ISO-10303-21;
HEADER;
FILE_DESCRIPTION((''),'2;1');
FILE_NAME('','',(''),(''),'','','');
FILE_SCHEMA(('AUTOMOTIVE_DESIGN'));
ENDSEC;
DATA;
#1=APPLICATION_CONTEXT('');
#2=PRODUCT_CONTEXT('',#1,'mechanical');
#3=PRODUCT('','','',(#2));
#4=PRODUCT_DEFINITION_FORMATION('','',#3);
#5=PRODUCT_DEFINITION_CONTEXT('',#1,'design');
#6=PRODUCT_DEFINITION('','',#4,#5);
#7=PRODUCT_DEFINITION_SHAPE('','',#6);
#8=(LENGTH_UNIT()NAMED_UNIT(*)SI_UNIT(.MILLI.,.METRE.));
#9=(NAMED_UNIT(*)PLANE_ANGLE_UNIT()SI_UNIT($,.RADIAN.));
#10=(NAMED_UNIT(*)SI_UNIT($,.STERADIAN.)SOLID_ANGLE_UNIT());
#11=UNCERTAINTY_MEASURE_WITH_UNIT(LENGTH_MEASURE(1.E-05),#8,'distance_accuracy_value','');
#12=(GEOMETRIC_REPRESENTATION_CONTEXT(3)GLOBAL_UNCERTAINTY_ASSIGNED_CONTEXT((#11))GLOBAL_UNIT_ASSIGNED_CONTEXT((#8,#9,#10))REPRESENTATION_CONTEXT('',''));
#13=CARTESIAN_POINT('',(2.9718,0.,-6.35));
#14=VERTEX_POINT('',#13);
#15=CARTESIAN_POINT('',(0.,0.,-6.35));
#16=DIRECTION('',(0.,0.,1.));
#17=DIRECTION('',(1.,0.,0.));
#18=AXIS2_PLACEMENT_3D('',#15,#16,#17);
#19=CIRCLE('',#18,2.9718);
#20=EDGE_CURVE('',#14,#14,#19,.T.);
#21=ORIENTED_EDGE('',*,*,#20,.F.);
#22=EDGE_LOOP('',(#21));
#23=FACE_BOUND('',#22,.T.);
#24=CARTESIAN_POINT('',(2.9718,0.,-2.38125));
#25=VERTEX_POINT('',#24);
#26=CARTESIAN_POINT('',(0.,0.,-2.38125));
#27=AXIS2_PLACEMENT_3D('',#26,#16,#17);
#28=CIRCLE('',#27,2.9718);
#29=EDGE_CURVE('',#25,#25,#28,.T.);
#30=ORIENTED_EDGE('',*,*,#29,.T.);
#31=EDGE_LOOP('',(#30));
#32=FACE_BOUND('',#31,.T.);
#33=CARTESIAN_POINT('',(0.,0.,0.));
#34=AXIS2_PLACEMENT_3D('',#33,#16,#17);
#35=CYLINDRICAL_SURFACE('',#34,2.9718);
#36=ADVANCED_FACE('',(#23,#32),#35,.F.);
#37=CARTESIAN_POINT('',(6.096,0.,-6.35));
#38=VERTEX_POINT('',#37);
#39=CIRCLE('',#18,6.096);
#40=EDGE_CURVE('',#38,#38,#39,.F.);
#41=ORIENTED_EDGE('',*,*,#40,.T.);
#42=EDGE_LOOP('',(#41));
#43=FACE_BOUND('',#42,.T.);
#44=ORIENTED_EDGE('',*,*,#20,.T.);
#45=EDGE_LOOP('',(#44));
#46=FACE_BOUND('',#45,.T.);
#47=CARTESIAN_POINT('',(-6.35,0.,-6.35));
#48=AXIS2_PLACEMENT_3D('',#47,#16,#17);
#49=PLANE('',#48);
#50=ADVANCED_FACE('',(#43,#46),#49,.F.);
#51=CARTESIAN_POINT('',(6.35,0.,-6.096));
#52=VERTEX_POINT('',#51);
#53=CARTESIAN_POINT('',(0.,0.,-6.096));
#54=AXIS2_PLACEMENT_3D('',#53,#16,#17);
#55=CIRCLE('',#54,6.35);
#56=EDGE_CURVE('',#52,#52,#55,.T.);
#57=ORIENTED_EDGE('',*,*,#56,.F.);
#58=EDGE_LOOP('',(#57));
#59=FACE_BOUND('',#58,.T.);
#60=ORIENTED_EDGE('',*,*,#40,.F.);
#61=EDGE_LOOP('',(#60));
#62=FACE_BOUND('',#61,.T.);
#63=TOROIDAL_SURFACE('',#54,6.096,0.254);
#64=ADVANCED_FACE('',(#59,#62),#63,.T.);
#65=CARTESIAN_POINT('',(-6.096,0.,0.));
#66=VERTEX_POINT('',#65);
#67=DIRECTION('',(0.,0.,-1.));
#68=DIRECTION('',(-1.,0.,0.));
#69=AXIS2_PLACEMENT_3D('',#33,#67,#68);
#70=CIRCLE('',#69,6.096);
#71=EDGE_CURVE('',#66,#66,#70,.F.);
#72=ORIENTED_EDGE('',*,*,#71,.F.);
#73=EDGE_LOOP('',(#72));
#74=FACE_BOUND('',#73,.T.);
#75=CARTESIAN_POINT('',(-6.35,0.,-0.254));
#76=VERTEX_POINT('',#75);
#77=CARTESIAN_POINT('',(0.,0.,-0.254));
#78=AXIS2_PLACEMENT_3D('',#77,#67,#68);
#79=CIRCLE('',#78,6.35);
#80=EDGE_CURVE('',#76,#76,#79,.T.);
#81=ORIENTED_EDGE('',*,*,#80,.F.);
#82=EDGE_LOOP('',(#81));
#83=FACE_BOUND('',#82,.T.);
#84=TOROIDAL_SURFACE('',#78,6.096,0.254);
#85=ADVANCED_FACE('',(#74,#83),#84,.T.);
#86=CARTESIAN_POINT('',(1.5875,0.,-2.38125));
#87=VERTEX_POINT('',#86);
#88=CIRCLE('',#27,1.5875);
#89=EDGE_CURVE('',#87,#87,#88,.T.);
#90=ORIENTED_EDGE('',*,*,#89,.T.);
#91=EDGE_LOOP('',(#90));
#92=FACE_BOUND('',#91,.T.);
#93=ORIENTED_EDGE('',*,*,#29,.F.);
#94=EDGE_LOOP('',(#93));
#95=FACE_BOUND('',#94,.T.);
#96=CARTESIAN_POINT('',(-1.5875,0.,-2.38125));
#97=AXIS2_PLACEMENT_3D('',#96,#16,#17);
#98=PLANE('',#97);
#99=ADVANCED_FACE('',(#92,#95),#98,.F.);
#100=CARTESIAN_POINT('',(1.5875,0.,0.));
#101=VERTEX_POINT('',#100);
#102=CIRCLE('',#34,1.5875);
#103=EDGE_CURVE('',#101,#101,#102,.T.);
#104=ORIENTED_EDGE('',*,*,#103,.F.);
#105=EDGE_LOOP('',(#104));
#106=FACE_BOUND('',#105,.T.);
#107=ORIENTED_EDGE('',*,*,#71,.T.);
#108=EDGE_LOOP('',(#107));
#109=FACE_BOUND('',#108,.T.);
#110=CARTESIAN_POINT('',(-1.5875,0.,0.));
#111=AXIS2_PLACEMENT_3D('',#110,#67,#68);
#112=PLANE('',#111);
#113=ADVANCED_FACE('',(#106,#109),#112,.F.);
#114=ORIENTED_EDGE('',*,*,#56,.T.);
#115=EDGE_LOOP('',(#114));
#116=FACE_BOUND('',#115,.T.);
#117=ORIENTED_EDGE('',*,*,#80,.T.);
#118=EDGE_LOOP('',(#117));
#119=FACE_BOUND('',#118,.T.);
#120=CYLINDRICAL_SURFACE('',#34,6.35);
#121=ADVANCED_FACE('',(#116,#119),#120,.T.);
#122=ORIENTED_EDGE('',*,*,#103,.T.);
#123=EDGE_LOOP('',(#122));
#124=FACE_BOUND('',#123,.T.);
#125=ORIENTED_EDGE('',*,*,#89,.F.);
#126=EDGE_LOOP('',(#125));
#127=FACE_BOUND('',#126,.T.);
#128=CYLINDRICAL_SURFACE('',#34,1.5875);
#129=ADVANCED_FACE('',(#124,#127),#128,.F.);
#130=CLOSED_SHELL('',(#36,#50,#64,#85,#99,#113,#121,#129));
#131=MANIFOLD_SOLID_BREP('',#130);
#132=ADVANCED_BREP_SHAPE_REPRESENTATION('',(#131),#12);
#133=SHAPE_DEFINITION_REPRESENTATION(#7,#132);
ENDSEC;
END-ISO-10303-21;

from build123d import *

# Parameters (mm, degrees)
FILLET1_R = 0.254


with BuildPart() as part:
    # Sketch1 → Revolve1 (revolve)
    with BuildSketch(Plane(origin=(0, 0, 0), x_dir=(1, 0, 0), z_dir=(0, 1, 0))):
        Polygon((-1.5875, 0), (-6.35, 0), (-6.35, 6.35), (-2.9718, 6.35), (-2.9718, 2.38125), (-1.5875, 2.38125), align=None)
    revolve(axis=Axis((0, 0, 0), (0, 0, -1)))

    # Fillet1
    fillet1_edges = [part.edges().sort_by_distance(p)[0] for p in [
        (6.35, 0, 0),
        (6.35, 0, -6.35),
    ]]
    fillet(fillet1_edges, radius=FILLET1_R)


solid = part.part
